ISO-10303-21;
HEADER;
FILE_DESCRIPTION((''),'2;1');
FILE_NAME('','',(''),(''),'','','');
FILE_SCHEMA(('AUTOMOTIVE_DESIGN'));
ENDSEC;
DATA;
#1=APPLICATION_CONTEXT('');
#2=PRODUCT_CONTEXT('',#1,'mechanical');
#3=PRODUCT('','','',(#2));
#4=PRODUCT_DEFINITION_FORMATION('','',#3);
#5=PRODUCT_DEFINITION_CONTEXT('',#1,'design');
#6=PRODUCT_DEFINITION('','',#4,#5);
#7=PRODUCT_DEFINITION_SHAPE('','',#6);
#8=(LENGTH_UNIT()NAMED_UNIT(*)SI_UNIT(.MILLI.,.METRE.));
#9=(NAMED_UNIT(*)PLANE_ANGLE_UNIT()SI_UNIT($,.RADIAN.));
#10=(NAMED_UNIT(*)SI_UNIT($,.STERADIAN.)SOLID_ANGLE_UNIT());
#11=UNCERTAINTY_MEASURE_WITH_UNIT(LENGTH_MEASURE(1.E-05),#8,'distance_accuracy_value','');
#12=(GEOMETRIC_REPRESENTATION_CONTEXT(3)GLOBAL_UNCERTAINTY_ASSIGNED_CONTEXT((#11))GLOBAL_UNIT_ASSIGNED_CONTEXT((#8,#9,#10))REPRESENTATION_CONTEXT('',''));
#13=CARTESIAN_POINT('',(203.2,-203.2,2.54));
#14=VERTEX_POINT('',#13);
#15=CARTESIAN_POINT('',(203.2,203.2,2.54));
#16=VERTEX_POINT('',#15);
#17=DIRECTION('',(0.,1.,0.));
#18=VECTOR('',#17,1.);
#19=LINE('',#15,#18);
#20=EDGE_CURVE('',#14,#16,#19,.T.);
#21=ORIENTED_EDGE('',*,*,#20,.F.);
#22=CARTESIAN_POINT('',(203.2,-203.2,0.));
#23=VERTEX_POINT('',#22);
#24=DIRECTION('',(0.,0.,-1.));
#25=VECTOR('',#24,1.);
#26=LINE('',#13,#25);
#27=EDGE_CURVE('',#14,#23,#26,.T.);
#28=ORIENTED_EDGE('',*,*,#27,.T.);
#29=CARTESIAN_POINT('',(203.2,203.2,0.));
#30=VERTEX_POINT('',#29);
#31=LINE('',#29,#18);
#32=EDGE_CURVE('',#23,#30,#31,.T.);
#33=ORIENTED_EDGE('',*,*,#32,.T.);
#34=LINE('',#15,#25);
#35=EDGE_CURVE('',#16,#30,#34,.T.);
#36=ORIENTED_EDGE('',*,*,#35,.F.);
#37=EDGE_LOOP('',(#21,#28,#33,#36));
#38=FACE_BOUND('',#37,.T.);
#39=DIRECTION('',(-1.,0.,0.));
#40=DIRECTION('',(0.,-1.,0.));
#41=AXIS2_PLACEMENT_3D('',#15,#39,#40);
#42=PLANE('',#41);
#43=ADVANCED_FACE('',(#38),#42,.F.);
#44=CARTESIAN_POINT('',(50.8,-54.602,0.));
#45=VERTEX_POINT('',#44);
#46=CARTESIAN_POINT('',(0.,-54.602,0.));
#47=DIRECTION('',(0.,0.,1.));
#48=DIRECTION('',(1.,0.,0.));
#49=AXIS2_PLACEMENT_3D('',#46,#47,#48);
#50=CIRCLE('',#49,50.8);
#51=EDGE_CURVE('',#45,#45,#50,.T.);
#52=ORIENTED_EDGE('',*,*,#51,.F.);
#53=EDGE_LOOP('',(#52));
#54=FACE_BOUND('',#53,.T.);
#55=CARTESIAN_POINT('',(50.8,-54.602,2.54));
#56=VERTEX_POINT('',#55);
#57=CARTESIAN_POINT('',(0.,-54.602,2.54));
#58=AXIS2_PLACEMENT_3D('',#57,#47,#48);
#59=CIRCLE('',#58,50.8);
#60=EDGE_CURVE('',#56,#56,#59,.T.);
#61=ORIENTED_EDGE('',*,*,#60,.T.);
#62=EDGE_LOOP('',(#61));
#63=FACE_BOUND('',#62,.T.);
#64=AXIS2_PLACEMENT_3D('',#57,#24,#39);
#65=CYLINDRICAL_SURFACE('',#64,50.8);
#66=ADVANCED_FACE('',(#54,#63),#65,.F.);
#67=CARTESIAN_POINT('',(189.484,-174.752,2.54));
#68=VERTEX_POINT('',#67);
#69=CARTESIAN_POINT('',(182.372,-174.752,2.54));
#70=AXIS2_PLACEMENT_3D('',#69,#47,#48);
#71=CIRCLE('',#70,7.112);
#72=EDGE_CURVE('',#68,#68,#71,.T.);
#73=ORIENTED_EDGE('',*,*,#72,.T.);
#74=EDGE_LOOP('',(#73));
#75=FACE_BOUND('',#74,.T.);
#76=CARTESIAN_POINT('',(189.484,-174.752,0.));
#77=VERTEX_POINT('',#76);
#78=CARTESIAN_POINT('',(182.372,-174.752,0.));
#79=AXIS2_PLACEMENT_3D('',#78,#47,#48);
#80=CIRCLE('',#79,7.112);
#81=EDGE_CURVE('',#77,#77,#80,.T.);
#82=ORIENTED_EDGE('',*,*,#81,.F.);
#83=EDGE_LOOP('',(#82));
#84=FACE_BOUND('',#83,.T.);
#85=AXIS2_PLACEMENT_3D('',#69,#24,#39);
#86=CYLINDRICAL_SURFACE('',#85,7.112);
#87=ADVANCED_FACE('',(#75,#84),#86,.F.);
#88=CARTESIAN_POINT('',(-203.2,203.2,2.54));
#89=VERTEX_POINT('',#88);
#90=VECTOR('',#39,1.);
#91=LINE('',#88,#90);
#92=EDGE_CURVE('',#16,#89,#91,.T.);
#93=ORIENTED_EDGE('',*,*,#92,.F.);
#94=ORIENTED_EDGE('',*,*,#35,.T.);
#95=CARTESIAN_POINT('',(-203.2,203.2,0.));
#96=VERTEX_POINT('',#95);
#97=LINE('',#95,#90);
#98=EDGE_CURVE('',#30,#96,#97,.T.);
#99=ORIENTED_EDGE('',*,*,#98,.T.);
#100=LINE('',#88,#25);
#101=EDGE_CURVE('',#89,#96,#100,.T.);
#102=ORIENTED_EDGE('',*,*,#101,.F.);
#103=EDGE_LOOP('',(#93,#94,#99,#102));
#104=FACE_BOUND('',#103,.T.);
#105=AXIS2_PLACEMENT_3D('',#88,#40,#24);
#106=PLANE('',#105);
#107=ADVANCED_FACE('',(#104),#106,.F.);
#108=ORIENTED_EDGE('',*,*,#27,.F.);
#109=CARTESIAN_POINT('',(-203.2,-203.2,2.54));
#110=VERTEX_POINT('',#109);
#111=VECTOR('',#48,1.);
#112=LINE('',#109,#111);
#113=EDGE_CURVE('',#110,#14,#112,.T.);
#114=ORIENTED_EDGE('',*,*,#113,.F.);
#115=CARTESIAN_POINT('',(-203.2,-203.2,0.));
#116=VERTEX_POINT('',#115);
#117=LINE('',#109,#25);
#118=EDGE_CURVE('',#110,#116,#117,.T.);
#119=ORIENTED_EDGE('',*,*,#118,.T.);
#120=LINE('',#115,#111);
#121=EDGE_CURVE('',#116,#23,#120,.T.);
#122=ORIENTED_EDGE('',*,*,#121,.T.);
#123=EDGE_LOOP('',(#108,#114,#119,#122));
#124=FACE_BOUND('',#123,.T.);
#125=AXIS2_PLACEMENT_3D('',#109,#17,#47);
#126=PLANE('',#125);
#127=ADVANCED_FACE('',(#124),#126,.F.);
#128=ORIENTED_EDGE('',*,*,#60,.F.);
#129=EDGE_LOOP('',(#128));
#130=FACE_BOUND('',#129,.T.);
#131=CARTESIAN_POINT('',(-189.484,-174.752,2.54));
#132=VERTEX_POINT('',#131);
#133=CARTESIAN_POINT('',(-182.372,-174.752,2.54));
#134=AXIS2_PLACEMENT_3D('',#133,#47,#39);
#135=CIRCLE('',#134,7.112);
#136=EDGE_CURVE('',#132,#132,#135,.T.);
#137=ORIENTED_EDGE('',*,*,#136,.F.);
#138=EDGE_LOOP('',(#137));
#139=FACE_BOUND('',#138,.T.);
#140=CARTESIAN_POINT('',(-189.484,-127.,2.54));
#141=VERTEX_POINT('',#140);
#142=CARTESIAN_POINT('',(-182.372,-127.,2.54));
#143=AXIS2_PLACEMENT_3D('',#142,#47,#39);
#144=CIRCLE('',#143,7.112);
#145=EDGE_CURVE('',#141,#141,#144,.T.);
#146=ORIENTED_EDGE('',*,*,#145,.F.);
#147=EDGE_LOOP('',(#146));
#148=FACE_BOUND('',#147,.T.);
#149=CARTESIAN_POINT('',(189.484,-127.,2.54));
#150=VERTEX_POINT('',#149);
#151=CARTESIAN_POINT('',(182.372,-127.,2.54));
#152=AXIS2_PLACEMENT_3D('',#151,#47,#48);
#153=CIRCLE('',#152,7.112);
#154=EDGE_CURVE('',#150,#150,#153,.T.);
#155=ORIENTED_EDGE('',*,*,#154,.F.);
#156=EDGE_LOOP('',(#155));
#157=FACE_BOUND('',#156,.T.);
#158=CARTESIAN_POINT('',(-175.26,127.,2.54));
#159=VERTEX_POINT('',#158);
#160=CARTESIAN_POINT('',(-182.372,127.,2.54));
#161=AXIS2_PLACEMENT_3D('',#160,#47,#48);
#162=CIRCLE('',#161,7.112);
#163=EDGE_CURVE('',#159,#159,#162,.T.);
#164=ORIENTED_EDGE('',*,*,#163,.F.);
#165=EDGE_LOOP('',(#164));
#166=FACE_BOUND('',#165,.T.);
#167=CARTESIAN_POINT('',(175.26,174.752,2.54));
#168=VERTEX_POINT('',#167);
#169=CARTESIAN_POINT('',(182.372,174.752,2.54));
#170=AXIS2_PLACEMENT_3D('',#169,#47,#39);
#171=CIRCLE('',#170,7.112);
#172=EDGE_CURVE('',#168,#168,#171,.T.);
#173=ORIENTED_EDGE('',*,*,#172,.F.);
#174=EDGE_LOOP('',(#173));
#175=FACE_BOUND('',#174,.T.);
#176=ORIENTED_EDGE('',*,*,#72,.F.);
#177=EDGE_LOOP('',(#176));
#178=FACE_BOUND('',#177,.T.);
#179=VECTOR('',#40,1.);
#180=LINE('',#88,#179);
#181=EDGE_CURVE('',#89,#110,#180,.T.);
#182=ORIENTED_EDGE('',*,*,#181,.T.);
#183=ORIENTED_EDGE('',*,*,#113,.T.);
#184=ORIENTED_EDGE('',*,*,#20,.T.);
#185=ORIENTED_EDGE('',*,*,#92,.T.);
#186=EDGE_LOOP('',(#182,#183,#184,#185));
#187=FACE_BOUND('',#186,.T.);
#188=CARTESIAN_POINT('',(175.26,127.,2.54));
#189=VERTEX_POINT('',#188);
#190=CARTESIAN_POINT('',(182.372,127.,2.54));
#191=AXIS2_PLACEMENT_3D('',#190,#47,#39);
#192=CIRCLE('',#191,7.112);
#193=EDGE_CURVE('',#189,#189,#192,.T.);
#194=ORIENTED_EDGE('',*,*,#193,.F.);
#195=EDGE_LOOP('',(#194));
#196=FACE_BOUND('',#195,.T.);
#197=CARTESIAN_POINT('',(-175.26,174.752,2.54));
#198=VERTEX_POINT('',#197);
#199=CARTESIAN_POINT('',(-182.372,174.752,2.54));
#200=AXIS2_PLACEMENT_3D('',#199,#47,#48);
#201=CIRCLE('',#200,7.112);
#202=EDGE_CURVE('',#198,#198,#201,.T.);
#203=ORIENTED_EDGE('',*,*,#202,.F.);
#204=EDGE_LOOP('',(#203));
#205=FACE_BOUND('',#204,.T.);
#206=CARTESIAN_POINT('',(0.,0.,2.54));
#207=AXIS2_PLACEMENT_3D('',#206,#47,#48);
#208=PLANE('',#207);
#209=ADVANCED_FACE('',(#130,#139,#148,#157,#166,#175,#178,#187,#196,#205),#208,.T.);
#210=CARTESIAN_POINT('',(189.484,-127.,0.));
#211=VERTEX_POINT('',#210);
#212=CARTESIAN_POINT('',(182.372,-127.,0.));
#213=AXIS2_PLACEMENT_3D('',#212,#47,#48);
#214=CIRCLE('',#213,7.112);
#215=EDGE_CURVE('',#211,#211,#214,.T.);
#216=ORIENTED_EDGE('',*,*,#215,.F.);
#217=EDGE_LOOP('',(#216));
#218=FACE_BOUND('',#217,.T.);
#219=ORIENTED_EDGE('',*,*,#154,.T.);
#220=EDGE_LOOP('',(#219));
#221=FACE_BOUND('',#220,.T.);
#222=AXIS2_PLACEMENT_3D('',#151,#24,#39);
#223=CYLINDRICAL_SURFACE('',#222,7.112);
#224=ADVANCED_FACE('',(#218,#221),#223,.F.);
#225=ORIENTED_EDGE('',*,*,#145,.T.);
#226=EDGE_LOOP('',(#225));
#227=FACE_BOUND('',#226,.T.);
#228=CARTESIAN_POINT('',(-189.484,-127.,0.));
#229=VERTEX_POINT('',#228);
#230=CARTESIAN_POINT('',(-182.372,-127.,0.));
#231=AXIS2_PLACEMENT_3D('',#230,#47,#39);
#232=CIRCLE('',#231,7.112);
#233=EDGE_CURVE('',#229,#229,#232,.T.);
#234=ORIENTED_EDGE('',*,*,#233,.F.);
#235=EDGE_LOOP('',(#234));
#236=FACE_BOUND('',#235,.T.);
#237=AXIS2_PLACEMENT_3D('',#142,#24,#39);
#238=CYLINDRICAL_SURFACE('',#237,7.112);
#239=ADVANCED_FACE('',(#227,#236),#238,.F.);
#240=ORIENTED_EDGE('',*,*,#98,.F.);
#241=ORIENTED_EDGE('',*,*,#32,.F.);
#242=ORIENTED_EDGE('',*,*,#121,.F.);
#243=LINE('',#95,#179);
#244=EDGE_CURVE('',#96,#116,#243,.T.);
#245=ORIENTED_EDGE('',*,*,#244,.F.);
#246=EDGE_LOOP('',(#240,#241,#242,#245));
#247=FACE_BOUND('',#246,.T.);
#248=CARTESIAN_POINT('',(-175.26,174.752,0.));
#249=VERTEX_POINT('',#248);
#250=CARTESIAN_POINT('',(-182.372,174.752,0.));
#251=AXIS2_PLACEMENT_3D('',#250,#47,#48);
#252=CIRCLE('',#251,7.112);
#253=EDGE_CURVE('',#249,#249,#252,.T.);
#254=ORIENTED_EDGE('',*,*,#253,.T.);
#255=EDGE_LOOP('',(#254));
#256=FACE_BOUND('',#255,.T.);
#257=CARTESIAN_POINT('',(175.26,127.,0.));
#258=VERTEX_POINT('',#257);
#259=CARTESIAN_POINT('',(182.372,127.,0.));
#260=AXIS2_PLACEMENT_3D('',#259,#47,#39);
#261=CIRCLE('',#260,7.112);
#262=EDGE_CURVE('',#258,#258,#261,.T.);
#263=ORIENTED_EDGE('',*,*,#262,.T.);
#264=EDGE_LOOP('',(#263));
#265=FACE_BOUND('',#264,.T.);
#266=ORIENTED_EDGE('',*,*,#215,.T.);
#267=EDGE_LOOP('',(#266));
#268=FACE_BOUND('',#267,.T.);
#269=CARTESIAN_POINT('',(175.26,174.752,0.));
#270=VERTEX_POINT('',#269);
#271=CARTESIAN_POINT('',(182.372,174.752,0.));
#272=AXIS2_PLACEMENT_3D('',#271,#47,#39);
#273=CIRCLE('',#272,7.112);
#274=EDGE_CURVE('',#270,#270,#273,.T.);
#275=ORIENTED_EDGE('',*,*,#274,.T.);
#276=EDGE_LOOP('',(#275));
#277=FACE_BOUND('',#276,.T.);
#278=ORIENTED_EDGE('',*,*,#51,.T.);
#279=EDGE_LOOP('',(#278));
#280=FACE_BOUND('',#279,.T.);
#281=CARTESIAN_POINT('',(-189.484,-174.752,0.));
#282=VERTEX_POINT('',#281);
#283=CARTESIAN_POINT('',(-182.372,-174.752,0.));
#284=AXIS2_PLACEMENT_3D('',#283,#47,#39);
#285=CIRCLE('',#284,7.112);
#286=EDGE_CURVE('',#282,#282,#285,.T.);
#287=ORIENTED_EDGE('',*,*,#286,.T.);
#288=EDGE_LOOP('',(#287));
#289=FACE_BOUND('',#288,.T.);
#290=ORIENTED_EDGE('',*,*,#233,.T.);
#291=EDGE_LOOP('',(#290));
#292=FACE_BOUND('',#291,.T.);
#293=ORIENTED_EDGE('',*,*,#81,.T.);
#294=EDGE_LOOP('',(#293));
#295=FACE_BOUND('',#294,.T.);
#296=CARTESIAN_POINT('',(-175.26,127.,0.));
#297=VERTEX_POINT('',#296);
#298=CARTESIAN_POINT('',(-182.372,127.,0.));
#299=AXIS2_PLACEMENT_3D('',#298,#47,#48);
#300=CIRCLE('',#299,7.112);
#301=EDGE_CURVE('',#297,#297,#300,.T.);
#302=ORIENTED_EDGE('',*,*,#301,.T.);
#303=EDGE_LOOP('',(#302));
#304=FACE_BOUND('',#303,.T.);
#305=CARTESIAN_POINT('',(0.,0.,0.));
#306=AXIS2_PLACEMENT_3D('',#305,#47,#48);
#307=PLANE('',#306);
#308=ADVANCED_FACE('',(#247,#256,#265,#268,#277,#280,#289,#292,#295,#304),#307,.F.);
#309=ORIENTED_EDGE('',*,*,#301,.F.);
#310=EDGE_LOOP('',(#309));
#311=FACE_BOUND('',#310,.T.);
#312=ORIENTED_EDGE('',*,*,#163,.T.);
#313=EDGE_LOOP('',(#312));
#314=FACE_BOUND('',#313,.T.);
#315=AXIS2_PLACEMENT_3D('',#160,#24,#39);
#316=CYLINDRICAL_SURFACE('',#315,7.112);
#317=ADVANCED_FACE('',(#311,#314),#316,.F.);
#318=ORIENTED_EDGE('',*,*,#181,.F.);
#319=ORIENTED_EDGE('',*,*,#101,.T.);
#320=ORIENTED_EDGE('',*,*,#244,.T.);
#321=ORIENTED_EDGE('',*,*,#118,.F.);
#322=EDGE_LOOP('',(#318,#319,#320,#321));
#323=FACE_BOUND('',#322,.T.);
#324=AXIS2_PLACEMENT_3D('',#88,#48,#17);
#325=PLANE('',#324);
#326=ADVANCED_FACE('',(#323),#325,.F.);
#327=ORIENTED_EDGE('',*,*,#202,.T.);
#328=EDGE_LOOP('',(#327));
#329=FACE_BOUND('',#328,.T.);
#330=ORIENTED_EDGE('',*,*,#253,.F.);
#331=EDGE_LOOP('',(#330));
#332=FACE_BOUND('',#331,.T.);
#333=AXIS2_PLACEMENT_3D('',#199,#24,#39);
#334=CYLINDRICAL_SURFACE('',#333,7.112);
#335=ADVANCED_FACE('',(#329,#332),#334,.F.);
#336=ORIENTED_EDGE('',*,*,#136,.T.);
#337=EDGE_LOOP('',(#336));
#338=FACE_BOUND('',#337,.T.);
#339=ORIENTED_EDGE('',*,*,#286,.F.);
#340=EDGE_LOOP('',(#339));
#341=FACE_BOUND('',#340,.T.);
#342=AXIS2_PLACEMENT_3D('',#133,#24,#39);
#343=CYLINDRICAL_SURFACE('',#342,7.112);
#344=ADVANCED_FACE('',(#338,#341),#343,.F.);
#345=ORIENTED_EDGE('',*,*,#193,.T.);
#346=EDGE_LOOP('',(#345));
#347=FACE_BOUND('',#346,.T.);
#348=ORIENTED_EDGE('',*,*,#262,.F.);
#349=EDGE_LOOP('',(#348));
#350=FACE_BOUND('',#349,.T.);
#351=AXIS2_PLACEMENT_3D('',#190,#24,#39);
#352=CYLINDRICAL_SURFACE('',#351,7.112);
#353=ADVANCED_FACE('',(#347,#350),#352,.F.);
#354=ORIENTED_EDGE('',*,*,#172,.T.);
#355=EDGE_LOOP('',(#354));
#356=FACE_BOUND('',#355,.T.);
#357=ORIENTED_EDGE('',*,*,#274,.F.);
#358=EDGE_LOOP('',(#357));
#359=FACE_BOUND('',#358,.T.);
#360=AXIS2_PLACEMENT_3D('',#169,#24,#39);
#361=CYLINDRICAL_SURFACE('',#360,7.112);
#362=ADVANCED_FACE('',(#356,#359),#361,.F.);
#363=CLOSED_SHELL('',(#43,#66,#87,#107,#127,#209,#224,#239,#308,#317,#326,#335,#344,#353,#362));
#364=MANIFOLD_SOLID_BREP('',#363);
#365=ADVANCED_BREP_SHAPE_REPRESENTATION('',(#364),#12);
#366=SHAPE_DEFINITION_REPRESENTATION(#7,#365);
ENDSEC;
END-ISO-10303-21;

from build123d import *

# Parameters (mm, degrees)
SKETCH_2_W          = 406.4
SKETCH_2_H          = 406.4
SKETCH_2_R          = 50.8
EXTRUDE_1_DEPTH     = 2.54
SKETCH_4_R          = 7.112
CUT_EXTRUDE_4_DEPTH = 288.379420975


with BuildPart() as part:
    # 草图2 → 凸台-拉伸1 (new body)
    with BuildSketch(Plane.XY):
        Rectangle(SKETCH_2_W, SKETCH_2_H)
        with Locations((0, -54.602000016)):
            Circle(SKETCH_2_R, mode=Mode.SUBTRACT)
    extrude(amount=EXTRUDE_1_DEPTH)

    # 草图4 → 切除-拉伸4 (cut, through all)
    with BuildSketch(Plane.XY):
        with Locations((-182.372, 127)):
            Circle(SKETCH_4_R)
        with Locations((-182.372, 174.752)):
            Circle(SKETCH_4_R)
        with Locations(Location((-182.372, -174.752, 0), (0, 0, 180))):
            Circle(SKETCH_4_R)
        with Locations(Location((-182.372, -127, 0), (0, 0, 180))):
            Circle(SKETCH_4_R)
        with Locations((182.372, -127)):
            Circle(SKETCH_4_R)
        with Locations((182.372, -174.752)):
            Circle(SKETCH_4_R)
        with Locations(Location((182.372, 174.752, 0), (0, 0, 180))):
            Circle(SKETCH_4_R)
        with Locations(Location((182.372, 127, 0), (0, 0, 180))):
            Circle(SKETCH_4_R)
    extrude(amount=CUT_EXTRUDE_4_DEPTH, mode=Mode.SUBTRACT)


solid = part.part
